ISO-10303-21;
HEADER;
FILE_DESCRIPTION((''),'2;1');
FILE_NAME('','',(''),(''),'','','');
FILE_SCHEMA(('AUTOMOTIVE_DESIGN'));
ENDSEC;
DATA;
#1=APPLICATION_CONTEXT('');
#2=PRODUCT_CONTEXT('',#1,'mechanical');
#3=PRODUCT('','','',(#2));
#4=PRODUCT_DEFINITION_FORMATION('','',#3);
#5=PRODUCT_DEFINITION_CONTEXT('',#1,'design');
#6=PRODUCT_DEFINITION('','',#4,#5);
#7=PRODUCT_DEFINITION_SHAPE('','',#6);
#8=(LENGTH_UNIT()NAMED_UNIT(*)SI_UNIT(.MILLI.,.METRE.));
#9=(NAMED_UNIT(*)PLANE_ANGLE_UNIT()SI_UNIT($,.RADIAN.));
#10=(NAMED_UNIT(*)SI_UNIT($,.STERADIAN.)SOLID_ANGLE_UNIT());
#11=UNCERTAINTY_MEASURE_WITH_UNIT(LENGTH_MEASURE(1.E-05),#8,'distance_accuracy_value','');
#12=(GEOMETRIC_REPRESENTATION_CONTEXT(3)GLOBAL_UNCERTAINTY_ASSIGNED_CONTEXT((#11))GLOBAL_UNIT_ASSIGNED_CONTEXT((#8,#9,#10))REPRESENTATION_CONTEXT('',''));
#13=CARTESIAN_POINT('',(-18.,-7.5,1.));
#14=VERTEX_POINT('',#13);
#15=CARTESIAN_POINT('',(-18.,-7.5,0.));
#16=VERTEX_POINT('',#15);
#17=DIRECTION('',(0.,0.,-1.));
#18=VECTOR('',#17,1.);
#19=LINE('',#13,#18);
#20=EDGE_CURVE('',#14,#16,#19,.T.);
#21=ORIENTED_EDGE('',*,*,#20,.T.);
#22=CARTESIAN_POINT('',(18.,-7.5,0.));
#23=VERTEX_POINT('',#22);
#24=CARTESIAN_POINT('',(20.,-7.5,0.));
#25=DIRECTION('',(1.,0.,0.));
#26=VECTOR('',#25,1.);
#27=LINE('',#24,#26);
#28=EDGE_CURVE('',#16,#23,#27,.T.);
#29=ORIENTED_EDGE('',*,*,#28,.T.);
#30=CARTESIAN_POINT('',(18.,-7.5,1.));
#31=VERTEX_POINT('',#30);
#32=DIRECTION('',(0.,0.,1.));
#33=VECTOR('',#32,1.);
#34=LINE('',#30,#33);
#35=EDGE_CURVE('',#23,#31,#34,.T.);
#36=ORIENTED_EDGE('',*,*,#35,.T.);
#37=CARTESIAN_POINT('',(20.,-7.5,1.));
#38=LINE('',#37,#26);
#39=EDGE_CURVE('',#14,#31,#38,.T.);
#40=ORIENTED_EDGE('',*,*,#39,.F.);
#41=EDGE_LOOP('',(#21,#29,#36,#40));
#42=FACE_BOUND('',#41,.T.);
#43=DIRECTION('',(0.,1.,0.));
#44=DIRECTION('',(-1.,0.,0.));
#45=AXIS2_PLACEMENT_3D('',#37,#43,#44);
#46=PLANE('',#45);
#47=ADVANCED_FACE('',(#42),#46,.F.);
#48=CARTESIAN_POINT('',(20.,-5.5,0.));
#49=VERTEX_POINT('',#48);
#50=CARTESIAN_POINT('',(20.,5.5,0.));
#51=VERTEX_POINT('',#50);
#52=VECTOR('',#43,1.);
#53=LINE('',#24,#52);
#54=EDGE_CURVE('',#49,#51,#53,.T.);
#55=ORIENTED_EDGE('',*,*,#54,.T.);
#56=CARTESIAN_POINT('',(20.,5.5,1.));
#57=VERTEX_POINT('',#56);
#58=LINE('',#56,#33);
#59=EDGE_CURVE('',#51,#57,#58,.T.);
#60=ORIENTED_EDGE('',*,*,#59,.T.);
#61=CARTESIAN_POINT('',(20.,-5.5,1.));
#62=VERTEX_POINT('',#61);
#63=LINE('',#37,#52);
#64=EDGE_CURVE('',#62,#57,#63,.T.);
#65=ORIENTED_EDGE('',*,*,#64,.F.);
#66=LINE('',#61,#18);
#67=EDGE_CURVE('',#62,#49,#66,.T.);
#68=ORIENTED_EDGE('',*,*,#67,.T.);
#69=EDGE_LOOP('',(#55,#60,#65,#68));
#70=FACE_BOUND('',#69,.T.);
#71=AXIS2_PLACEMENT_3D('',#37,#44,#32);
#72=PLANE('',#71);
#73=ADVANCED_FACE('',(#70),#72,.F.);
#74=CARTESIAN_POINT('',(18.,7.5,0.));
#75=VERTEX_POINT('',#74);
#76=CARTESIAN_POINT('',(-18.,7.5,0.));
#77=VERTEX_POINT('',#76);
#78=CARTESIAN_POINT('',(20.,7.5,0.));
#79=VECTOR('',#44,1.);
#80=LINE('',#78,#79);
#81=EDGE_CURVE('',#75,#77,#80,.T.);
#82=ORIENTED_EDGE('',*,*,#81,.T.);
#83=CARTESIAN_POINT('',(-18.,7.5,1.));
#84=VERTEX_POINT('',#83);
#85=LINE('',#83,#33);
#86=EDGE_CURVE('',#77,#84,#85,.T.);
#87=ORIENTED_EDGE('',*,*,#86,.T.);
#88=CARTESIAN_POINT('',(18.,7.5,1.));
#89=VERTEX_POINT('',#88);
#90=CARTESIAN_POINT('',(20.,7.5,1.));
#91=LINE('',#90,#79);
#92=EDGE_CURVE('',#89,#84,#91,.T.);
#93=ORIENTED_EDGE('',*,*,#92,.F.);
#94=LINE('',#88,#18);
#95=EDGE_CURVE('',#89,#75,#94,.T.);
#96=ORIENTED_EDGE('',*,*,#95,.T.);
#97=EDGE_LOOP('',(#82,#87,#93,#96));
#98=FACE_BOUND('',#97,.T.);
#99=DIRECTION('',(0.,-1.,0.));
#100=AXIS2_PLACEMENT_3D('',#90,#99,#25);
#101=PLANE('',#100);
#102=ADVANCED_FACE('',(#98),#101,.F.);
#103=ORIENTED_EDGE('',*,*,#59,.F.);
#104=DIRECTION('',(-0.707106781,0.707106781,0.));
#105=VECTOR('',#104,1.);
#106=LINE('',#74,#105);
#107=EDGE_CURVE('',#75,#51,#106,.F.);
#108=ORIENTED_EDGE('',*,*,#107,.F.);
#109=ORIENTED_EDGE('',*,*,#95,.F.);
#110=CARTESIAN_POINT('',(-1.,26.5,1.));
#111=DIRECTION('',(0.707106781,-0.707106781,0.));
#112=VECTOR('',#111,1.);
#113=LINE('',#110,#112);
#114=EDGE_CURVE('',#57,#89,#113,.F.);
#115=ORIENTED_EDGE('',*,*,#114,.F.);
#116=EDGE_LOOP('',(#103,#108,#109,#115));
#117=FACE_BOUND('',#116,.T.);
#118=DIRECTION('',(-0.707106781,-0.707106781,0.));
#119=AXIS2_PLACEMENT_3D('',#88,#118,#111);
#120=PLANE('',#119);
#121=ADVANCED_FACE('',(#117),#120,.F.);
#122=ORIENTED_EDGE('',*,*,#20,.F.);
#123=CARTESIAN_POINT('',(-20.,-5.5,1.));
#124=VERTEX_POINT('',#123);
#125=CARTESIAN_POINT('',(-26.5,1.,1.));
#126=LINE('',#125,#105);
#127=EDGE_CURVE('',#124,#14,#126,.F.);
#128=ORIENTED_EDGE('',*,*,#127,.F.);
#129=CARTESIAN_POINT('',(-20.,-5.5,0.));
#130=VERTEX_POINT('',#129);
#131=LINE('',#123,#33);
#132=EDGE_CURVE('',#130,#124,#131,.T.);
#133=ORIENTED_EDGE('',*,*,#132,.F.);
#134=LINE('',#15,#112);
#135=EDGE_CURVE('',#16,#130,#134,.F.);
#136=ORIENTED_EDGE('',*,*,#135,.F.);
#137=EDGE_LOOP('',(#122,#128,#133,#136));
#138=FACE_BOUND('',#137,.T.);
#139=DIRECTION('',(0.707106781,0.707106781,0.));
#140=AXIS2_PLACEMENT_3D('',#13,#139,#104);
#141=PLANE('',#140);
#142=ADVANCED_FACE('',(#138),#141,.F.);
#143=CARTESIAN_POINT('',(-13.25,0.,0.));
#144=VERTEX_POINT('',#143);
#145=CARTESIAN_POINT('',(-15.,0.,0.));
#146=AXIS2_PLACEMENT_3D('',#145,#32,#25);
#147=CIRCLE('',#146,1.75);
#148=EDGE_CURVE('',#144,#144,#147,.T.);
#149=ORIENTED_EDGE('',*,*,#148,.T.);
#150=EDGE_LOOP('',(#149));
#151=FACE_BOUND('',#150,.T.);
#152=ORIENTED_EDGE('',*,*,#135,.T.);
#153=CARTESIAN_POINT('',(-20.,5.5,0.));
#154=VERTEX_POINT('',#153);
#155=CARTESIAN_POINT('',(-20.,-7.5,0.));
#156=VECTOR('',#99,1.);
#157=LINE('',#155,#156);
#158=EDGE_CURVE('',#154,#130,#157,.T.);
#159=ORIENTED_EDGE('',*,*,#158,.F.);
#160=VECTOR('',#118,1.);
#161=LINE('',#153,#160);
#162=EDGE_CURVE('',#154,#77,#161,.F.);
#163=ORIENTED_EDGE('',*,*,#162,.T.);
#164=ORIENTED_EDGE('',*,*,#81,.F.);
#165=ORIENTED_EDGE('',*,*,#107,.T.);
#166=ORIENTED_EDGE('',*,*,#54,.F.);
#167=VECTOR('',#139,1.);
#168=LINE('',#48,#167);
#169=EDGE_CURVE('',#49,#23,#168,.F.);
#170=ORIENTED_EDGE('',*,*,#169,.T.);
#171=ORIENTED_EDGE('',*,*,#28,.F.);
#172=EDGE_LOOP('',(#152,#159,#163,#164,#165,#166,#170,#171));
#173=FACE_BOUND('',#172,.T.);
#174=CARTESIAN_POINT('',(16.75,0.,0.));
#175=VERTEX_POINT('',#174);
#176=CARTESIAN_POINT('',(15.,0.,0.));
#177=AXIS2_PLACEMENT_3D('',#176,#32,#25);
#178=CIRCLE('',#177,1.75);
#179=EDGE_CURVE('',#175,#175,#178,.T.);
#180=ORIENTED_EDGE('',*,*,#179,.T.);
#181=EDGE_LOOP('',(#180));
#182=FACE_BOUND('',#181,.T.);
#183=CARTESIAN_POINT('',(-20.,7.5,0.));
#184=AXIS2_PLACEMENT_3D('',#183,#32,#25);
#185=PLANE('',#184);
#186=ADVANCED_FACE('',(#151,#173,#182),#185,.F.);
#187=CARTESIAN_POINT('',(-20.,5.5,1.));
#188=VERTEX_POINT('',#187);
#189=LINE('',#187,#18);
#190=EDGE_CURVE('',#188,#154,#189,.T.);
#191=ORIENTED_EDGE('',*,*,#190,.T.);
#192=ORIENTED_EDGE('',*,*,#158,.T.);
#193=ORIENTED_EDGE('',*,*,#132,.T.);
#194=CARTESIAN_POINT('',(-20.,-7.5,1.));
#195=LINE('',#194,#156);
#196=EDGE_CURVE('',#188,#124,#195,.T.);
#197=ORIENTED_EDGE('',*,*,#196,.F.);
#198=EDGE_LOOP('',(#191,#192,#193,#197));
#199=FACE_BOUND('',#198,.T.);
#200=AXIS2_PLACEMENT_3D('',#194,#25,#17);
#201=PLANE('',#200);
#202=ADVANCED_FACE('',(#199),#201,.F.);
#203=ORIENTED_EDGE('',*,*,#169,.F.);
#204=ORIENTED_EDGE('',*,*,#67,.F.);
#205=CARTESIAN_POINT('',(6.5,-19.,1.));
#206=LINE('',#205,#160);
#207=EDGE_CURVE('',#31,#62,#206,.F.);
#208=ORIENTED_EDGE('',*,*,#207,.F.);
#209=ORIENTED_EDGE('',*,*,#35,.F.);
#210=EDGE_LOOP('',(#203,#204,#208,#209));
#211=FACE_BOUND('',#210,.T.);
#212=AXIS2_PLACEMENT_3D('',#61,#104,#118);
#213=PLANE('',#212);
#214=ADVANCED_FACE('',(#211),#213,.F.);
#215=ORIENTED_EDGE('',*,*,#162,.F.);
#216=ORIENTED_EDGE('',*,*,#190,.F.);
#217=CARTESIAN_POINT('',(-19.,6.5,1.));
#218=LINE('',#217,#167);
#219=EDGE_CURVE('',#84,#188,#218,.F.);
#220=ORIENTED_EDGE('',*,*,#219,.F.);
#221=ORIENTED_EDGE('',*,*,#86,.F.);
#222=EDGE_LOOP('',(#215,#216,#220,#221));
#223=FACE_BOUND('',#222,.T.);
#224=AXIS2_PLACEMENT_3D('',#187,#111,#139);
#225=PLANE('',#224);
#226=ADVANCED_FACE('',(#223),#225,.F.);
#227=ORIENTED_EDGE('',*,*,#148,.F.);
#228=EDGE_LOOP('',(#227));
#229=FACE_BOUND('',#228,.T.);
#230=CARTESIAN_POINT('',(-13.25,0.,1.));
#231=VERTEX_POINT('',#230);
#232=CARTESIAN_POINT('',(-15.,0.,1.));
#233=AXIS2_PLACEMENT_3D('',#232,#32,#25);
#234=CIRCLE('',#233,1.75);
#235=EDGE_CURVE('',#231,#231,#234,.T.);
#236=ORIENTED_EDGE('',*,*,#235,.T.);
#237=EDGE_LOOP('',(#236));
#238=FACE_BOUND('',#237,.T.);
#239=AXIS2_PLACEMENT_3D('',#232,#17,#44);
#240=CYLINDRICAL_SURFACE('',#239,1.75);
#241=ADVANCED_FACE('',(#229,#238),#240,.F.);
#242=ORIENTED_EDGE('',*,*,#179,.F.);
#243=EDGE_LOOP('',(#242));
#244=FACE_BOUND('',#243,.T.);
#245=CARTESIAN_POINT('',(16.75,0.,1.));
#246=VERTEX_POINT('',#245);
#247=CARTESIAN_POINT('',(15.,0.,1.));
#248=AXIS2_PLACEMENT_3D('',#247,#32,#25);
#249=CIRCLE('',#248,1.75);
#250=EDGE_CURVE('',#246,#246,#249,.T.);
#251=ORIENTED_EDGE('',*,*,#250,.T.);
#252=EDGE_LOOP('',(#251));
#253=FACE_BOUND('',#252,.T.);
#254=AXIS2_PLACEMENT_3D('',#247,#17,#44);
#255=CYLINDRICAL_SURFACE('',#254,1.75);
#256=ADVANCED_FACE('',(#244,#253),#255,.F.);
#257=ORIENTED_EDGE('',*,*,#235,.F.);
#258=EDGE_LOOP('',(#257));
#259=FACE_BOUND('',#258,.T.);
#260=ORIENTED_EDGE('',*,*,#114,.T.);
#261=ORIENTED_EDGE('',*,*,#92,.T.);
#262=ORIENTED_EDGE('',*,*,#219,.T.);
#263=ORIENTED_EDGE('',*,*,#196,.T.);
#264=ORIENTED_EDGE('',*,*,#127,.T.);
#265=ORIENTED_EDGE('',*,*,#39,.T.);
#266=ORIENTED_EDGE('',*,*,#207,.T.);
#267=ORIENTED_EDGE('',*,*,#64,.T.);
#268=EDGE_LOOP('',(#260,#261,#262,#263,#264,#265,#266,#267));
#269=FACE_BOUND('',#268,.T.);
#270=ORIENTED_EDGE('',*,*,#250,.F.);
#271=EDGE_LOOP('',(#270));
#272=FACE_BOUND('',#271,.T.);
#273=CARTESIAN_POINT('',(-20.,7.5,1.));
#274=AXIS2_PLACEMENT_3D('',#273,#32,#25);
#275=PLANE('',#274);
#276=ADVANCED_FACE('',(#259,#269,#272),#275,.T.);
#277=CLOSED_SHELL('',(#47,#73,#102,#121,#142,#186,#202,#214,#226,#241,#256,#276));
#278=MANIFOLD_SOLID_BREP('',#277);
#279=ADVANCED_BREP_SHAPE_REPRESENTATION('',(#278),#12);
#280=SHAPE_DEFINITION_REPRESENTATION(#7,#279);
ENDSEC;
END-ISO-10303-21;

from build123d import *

# Parameters (mm, degrees)
SKIZZE1_W                       = 40
SKIZZE1_H                       = 15
SKIZZE1_R                       = 1.75
AUFSATZ_LINEAR_AUSTRAGEN1_DEPTH = 1
FASE1_SIZE                      = 2


with BuildPart() as part:
    # Skizze1 → Aufsatz-Linear austragen1 (new body)
    with BuildSketch(Plane.XY):
        Rectangle(SKIZZE1_W, SKIZZE1_H)
        with Locations((-15, 0)):
            Circle(SKIZZE1_R, mode=Mode.SUBTRACT)
        with Locations((15, 0)):
            Circle(SKIZZE1_R, mode=Mode.SUBTRACT)
    extrude(amount=AUFSATZ_LINEAR_AUSTRAGEN1_DEPTH)

    # Fase1
    fase1_edges = [part.edges().sort_by_distance(p)[0] for p in [
        (-20, 7.5, 0.5),
        (20, 7.5, 0.5),
        (20, -7.5, 0.5),
        (-20, -7.5, 0.5),
    ]]
    chamfer(fase1_edges, length=FASE1_SIZE)


solid = part.part
